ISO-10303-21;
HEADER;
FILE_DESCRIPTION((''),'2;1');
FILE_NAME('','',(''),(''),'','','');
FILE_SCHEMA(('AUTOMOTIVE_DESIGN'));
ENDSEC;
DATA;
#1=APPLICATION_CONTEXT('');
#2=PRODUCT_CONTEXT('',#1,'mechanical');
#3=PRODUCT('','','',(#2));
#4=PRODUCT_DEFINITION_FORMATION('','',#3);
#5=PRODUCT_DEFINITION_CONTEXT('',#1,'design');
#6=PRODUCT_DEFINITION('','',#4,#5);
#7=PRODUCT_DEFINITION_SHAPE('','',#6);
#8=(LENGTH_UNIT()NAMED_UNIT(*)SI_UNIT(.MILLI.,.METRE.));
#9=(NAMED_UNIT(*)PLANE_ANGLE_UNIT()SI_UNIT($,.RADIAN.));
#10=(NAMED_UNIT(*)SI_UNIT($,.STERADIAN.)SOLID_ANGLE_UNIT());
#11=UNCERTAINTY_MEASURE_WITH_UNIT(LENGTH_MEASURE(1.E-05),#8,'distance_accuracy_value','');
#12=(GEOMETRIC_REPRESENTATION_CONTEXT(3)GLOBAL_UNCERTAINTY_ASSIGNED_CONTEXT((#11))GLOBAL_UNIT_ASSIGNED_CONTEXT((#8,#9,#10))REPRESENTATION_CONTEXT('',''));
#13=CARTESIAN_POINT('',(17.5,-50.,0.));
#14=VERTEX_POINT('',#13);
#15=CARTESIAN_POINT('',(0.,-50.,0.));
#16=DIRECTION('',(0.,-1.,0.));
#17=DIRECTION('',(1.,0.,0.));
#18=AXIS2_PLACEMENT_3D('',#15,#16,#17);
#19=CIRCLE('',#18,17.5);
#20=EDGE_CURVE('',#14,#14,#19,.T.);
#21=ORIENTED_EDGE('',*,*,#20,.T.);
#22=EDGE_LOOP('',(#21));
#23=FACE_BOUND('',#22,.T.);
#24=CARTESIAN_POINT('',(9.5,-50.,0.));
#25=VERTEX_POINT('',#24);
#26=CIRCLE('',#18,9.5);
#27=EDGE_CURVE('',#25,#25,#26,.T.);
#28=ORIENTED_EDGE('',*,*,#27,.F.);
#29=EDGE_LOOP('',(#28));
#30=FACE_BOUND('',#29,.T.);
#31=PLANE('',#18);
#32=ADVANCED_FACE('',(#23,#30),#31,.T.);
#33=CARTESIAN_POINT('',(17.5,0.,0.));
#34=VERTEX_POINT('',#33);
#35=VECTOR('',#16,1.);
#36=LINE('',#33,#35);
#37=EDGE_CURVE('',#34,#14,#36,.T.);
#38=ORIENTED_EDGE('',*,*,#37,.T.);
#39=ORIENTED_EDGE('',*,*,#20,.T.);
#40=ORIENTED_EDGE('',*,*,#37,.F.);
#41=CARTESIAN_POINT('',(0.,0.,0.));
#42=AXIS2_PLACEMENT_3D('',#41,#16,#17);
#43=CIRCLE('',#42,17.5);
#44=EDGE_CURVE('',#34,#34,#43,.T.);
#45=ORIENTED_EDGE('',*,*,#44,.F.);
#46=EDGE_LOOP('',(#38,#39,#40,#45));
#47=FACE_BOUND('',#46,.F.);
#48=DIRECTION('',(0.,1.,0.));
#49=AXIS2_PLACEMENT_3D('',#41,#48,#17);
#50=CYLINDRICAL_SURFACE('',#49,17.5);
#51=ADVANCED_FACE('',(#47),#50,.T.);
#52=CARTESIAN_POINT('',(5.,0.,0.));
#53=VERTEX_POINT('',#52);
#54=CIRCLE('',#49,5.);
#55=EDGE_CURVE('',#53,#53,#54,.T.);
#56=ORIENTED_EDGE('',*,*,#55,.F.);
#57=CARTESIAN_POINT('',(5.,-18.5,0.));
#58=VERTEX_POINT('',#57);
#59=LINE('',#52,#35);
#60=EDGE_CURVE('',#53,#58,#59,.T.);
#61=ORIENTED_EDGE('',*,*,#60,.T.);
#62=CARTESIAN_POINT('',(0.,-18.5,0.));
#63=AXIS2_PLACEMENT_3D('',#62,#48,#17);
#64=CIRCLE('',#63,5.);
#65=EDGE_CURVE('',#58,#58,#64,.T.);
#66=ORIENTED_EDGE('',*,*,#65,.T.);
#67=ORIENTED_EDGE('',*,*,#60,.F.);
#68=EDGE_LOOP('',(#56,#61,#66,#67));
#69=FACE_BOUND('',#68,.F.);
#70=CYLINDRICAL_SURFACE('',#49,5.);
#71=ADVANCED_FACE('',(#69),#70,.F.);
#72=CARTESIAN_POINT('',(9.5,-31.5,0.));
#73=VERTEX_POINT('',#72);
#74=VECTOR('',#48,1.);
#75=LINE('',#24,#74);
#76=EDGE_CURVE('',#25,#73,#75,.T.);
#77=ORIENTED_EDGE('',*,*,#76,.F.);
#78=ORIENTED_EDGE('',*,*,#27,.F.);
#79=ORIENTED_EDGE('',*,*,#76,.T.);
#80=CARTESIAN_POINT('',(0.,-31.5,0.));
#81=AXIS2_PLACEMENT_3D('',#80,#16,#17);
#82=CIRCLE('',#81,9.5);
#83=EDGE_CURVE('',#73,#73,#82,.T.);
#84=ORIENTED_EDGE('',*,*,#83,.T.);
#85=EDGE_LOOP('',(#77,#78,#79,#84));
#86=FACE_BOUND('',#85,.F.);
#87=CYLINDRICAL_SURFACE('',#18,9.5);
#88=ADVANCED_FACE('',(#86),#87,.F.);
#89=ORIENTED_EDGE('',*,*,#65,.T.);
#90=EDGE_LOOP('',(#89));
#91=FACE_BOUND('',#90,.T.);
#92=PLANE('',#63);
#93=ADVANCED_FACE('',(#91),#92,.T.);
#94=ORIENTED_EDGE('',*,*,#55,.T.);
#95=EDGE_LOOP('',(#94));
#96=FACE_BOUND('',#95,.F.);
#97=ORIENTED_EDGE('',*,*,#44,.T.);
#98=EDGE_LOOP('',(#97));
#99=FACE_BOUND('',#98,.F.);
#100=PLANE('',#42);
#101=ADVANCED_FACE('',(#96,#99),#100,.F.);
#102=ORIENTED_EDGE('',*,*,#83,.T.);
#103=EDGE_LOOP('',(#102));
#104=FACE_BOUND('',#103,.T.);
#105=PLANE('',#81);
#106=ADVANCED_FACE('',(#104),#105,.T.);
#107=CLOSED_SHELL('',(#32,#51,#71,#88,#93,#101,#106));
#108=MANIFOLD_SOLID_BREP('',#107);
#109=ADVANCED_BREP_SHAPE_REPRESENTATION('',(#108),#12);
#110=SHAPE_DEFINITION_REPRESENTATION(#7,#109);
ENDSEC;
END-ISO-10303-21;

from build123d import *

# Parameters (mm, degrees)
SKETCH_R        = 17.5
PAD_DEPTH       = 50
SKETCH001_R     = 9.5
POCKET_DEPTH    = 18.5
SKETCH002_R     = 5
POCKET001_DEPTH = 18.5


with BuildPart() as part:
    # Sketch → Pad (new body)
    with BuildSketch(Plane.XZ):
        Circle(SKETCH_R)
    extrude(amount=PAD_DEPTH)

    # Sketch001 (on Face3 of Pad) → Pocket (cut)
    with BuildSketch(Plane.XZ.offset(50)):
        Circle(SKETCH001_R)
    extrude(amount=-POCKET_DEPTH, mode=Mode.SUBTRACT)

    # Sketch002 (on Face2 of Pocket) → Pocket001 (cut)
    with BuildSketch(Plane(origin=(0, 0, 0), x_dir=(1, 0, 0), z_dir=(0, 1, 0))):
        Circle(SKETCH002_R)
    extrude(amount=-POCKET001_DEPTH, mode=Mode.SUBTRACT)


solid = part.part
